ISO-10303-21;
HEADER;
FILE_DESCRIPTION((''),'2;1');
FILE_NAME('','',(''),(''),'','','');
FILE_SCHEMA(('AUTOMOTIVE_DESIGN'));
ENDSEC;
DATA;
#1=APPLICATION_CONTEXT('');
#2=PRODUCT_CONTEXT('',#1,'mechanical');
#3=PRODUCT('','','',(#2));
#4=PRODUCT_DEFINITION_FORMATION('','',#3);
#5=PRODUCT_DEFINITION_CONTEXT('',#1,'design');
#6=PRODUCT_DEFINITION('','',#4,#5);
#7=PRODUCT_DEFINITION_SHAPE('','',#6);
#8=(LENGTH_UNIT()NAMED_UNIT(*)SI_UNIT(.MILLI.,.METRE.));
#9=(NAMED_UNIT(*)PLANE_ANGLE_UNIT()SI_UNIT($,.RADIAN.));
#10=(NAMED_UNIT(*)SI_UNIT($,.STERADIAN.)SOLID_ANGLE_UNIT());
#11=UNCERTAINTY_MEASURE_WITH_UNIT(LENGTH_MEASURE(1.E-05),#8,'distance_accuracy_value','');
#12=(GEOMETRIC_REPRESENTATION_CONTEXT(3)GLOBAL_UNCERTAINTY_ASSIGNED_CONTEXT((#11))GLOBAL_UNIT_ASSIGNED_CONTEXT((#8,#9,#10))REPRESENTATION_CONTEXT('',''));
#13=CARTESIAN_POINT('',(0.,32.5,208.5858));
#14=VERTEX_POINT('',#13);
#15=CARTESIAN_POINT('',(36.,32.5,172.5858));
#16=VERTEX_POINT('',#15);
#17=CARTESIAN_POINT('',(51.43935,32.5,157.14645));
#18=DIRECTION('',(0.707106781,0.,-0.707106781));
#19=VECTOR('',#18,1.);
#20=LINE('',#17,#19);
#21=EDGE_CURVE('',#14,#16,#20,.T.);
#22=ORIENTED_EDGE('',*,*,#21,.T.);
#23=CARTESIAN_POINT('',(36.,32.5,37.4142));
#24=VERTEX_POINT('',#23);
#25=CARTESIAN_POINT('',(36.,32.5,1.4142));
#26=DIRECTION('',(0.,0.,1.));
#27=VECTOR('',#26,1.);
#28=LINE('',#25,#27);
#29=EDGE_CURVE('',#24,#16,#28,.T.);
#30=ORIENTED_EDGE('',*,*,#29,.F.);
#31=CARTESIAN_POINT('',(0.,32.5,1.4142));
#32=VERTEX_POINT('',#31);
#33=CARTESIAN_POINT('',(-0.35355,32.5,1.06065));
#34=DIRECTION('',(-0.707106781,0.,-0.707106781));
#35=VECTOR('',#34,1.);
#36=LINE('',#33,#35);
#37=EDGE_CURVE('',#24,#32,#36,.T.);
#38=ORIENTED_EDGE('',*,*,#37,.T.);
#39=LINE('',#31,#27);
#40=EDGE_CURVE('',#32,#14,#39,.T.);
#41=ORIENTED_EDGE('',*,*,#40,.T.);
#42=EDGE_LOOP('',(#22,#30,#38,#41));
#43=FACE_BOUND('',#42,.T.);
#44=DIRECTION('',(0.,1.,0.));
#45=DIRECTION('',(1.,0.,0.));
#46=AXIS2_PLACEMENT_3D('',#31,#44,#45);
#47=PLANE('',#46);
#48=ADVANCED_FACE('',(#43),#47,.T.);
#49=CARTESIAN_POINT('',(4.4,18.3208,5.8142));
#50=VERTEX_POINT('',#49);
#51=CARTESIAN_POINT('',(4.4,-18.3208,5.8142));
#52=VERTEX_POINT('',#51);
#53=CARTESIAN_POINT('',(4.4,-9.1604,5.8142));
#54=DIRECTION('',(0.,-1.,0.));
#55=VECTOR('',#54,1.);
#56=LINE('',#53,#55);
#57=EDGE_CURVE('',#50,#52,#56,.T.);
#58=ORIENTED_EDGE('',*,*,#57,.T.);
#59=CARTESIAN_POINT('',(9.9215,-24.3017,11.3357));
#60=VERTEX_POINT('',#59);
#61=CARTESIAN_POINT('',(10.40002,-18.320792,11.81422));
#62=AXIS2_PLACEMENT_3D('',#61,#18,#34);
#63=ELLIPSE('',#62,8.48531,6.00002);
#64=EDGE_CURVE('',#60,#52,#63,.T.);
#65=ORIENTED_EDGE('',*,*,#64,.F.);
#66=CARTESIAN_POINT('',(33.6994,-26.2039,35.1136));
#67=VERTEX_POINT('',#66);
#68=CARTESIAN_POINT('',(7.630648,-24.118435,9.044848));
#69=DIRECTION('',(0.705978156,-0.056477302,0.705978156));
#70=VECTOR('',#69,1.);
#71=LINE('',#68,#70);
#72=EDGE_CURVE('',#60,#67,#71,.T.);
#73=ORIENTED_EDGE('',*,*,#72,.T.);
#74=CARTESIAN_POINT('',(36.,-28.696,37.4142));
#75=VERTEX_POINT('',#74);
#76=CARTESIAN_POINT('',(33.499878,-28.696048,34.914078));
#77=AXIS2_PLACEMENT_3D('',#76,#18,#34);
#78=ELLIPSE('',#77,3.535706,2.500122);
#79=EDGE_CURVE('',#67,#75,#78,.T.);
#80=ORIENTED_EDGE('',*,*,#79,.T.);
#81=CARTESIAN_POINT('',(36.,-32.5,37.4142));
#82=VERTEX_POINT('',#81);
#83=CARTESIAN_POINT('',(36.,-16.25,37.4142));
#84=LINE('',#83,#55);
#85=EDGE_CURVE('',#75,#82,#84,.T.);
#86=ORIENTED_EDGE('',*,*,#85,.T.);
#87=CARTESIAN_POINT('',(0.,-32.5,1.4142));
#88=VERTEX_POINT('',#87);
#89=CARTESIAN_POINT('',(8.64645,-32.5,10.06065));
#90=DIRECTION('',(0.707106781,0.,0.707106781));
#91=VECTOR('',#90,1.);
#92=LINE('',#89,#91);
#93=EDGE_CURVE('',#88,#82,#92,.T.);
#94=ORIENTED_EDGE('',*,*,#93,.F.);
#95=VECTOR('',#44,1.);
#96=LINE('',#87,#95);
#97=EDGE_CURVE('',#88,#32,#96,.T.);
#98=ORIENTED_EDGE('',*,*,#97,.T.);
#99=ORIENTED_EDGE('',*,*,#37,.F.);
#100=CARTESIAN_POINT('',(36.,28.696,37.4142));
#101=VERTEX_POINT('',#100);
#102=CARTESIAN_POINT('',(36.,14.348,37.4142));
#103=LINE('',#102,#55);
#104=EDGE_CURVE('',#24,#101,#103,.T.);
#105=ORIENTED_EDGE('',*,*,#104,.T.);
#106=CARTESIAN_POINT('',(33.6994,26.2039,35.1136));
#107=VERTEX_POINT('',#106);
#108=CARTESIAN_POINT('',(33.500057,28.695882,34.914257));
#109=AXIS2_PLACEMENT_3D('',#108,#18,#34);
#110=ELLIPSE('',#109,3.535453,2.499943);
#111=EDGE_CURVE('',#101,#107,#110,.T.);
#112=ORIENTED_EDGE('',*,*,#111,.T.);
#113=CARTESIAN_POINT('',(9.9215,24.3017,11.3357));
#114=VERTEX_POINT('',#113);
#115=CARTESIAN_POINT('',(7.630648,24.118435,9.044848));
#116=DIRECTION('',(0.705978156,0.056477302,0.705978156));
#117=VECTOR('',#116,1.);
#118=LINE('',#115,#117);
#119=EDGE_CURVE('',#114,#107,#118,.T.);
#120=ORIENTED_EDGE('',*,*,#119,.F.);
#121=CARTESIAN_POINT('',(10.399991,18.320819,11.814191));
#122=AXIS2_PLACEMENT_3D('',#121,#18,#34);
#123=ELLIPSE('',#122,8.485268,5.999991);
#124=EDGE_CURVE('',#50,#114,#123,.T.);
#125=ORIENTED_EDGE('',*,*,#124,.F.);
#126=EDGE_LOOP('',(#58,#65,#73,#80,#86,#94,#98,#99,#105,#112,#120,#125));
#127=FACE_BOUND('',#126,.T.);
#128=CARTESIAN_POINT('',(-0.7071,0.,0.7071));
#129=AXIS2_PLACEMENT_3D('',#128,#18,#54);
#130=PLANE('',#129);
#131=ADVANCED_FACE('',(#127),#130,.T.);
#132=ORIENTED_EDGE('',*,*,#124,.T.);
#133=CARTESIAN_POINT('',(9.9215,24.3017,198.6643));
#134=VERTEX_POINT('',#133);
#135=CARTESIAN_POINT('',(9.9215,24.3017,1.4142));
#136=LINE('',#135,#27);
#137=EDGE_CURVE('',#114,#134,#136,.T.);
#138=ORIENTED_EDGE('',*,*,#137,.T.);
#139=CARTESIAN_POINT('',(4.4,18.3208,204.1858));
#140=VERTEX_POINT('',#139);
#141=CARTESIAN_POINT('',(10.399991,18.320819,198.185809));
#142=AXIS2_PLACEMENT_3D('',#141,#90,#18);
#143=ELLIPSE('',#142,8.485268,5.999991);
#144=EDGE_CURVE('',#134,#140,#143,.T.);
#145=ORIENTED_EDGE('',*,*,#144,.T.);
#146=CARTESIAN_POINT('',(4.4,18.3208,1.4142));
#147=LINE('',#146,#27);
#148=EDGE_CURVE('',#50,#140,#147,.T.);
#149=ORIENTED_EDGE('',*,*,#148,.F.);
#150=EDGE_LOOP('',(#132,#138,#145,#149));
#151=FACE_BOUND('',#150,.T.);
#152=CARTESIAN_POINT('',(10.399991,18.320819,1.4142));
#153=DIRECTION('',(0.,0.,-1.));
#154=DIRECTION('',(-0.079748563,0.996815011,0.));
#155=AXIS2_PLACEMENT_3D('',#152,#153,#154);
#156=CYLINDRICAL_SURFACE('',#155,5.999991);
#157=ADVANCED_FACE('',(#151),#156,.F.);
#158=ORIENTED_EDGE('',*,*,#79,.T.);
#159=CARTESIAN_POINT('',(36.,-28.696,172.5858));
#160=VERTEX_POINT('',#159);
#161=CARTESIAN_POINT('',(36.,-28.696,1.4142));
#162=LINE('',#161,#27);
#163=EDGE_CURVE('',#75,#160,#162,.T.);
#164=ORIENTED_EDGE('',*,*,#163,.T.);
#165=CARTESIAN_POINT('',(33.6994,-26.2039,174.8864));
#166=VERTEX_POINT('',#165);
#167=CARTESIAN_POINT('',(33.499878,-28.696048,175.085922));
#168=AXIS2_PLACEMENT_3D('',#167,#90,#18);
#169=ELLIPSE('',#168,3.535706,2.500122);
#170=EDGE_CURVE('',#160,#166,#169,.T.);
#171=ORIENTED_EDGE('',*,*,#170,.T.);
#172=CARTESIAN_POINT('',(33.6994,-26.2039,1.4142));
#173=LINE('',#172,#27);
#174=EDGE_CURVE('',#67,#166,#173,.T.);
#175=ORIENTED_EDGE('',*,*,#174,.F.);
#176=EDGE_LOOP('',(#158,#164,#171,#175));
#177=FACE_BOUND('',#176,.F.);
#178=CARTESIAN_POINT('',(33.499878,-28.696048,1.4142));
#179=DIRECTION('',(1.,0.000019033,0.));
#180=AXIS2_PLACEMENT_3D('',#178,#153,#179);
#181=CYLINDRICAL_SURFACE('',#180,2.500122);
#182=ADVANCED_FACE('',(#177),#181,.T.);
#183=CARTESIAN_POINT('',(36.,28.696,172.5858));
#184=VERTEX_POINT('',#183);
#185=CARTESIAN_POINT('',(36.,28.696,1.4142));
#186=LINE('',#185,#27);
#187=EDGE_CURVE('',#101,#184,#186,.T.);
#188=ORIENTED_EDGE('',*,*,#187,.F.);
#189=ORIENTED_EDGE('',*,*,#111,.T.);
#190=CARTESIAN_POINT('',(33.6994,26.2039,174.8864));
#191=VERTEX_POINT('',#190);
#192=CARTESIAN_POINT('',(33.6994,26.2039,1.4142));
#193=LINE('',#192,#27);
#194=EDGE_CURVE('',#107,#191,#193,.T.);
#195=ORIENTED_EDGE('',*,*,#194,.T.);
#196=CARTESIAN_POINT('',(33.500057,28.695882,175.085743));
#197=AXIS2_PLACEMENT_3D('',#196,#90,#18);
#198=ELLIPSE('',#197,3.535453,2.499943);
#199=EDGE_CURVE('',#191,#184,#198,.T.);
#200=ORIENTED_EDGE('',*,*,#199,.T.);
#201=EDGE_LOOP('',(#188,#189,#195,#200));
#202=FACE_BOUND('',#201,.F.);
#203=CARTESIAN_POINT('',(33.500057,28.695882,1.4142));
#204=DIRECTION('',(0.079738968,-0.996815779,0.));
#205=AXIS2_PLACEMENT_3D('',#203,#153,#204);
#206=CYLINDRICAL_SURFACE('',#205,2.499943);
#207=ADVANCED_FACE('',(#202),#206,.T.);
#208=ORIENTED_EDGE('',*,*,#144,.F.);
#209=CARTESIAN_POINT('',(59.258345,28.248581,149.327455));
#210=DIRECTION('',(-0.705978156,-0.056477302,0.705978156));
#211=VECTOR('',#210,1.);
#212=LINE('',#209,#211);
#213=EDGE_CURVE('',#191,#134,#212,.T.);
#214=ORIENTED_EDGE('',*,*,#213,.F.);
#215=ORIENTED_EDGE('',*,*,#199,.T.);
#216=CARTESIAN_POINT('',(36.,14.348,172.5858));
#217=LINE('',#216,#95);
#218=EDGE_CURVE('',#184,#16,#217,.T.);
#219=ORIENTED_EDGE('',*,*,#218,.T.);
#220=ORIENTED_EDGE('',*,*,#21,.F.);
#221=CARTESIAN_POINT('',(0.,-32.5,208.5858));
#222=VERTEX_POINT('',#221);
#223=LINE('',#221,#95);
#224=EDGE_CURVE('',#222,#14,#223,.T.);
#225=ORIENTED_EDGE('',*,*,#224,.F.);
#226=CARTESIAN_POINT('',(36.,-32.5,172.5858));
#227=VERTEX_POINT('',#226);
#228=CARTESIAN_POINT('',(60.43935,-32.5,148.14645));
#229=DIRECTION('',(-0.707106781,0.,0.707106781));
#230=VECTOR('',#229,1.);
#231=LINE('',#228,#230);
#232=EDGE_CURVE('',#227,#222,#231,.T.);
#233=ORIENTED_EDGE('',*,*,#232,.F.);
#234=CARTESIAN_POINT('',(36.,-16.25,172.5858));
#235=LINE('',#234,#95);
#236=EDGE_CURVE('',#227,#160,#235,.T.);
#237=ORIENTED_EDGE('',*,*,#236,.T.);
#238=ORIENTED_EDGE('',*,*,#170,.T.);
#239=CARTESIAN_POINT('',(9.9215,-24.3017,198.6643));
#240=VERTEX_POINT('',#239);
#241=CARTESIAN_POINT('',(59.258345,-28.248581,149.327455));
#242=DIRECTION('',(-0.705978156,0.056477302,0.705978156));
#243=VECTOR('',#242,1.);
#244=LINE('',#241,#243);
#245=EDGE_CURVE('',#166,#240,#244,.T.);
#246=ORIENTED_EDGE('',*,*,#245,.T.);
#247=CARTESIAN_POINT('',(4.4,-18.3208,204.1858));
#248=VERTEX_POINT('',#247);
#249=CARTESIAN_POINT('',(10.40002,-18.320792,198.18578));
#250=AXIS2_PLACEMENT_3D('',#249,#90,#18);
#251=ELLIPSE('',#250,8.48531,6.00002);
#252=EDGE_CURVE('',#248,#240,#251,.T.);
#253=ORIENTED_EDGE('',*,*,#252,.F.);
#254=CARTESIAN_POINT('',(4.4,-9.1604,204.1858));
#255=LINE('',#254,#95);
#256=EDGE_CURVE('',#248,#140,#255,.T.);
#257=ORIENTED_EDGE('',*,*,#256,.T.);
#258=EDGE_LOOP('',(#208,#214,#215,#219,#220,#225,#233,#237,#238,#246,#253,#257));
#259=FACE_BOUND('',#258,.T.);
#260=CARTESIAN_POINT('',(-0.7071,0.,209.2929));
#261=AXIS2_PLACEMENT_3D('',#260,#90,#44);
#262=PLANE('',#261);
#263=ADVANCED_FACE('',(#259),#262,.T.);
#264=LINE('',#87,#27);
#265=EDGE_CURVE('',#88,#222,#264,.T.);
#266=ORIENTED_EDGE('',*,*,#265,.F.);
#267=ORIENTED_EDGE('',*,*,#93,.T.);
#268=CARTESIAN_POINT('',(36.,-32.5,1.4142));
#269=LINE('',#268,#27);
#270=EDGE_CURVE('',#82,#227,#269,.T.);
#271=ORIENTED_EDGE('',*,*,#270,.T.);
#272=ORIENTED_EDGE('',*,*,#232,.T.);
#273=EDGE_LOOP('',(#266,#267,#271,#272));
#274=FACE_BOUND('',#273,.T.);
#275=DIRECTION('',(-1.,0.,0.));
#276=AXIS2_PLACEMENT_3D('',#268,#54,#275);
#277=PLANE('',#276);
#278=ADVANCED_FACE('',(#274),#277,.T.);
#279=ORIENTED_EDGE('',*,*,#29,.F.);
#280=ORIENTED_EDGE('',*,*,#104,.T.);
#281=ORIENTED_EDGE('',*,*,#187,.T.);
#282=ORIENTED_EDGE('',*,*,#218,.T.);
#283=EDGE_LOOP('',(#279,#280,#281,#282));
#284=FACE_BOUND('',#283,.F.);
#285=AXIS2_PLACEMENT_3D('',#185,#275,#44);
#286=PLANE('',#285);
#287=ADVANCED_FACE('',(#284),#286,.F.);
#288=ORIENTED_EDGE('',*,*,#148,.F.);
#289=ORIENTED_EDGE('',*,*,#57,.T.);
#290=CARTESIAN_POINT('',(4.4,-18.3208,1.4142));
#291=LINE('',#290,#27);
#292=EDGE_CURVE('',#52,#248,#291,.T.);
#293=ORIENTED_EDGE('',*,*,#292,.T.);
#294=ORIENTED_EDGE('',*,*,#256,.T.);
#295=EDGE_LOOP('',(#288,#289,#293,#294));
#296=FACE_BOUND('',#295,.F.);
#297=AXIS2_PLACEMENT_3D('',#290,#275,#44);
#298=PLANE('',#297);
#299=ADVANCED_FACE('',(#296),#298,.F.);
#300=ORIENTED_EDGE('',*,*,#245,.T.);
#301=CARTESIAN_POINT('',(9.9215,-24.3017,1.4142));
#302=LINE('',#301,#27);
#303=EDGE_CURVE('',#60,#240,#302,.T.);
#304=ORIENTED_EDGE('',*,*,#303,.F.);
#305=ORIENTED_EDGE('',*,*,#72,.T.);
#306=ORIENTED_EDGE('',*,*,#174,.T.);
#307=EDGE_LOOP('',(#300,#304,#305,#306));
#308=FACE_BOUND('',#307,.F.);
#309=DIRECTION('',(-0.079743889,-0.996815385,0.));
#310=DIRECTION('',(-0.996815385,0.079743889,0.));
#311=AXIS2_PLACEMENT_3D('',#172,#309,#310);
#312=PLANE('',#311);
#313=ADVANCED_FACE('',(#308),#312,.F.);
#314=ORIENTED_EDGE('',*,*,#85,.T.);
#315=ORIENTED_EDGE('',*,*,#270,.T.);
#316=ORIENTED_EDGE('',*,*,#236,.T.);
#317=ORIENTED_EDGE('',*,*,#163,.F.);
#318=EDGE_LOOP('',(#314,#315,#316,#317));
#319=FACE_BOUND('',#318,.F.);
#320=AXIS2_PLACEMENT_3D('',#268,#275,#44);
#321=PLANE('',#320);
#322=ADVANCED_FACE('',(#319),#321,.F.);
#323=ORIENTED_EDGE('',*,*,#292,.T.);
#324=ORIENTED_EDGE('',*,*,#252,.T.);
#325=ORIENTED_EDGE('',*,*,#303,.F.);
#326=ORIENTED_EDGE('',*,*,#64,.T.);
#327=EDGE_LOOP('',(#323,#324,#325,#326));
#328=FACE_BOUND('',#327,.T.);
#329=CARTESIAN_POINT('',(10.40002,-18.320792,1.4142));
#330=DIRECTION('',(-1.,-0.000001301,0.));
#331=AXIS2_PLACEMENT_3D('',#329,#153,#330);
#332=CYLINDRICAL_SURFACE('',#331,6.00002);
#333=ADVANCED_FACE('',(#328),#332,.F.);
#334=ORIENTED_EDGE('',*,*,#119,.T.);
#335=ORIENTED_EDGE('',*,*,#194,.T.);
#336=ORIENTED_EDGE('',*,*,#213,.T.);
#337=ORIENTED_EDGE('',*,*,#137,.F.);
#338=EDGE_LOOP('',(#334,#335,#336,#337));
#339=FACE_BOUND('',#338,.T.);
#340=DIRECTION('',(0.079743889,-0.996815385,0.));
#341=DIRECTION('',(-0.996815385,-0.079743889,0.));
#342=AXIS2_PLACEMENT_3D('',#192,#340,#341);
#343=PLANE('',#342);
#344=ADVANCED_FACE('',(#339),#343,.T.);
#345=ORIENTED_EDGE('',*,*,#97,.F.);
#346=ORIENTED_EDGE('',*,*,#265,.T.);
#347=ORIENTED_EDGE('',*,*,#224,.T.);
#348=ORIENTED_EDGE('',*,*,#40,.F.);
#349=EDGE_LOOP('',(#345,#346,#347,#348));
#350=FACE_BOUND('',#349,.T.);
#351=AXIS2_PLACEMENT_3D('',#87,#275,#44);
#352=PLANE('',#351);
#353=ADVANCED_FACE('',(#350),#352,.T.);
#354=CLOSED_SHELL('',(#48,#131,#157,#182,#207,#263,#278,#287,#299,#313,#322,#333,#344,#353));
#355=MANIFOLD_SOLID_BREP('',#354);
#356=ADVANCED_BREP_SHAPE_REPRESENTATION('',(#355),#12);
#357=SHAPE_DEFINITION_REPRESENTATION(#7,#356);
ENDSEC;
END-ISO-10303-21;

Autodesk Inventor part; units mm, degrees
ref_plane "Начальная плоскость" through (0, 0, 1.4142) normal (0, 0, 1) x (1, 0, 0)
ref_plane "Конечная плоскость" through (0, 0, 208.5858) normal (0, 0, 1) x (1, 0, 0)
sketch "Эскиз" plane through (0, 0, 0) normal (0, 0, 1) x (1, 0, 0)
  line L0 (36, -32.5) -> (0, -32.5)
  line L1 (36, -32.5) -> (36, -28.696)
  line L2 (33.6994, -26.2039) -> (9.9215, -24.3017)
  line L3 (4.4, -18.3208) -> (4.4, 18.3208)
  line L4 (33.6994, 26.2039) -> (9.9215, 24.3017)
  line L5 (36, 28.696) -> (36, 32.5)
  line L6 (0, 32.5) -> (36, 32.5)
  line L7 (0, -32.5) -> (0, 32.5)
  arc A0 (4.4, -18.3208) -> (9.9215, -24.3017) centre (10.4, -18.3208) ccw
  arc A1 (9.9215, 24.3017) -> (4.4, 18.3208) centre (10.4, 18.3208) ccw
  arc A2 (36, -28.696) -> (33.6994, -26.2039) centre (33.5, -28.696) ccw
  arc A3 (33.6994, 26.2039) -> (36, 28.696) centre (33.5, 28.696) ccw
  line L8 (0, 45.5) -> (0, -45.5) construction
  line L9 (-7.2974, 0) -> (43.7847, 0) construction
  point P0 (36, -26.388)
  point P1 (4.4, -23.86)
  point P2 (4.4, 23.86)
  point P3 (36, 26.388)
  dimension "d3" = 36
  dimension "d5" = 4.4
  dimension "d7" = 65
  dimension "d9" = 8.64
  dimension "d11" = 8.64
  dimension "d13" = 6.112
  dimension "d15" = 6.112
  dimension "d22" = 6
  dimension "d23" = 2.5
  dimension "d24" = 32.5
  dimension "d25" = 0
extrude "Тело" add sketch "Эскиз" along normal up to surface (207.1716 mm away) from surface at 1.4142
sketch "Sketch3" plane through (0, 0, 0) normal (0, 0, 1) x (1, 0, 0)
  line L0 (0, 0) -> (10, 0)
ref_plane "Work Plane7" through (0, 0, 0) normal (0, -1, 0) x (1, 0, 0)
sketch "Sketch4" plane through (0, 0, 0) normal (0, -1, 0) x (1, 0, 0)
  line L0 (-2, 1.4142) -> (12, 1.4142)
  line L1 (-2, 208.5858) -> (12, 208.5858)
  dimension "d29" = 207.1716
ref_plane "РабПлоскость8" through (-0.7071, 0, 209.2929) normal (0.7071, 0, 0.7071) x (0.7071, 0, -0.7071)
split "Разделение1" plane through (-0.7071, 0, 209.2929) removes the side toward (0.7071, 0, 0.7071)
ref_plane "РабПлоскость9" through (-0.7071, 0, 0.7071) normal (0.7071, 0, -0.7071) x (-0.7071, 0, -0.7071)
split "Разделение2" plane through (-0.7071, 0, 0.7071) removes the side toward (0.7071, 0, -0.7071)
equation "\"d3\" = b"
equation "\"d5\" = t1"
equation "\"d7\" = ParH"
equation "\"d9\" = msp_x1 + t2"
equation "\"d11\" = msp_x1 + t2"
equation "\"d13\" = -msp_x2 + t2"
equation "\"d15\" = -msp_x2 + t2"
equation "\"d22\" = R"
equation "\"d23\" = R1"
equation "\"d24\" = 0.5 * d7"
equation "\"d16\" = G_L"
equation "\"R1\" = 2.5"
equation "\"R\" = 6"
equation "\"t1\" = 4.4"
equation "\"t2\" = 7.2"
equation "\"ParH\" = 65"
equation "\"b\" = 36"
equation "\"msp_x1\" = 0.04 * b"
equation "\"msp_x2\" = -0.08 * t1 + 0.04 * b"
equation "\"G_L\" = d29"
equation "\"ex\" = 0"
equation "\"G_OFFSET_START\" = -1.41421"
equation "\"G_OFFSET_END\" = -1.41421"
equation "\"d26\" = -G_OFFSET_START"
equation "\"d27\" = G_OFFSET_END + B_L"
equation "\"B_L\" = 210"
properties part number "Швеллер 6.5U-207,17 ГОСТ 8240-97" material "Сталь, мягкая, сварочная"
